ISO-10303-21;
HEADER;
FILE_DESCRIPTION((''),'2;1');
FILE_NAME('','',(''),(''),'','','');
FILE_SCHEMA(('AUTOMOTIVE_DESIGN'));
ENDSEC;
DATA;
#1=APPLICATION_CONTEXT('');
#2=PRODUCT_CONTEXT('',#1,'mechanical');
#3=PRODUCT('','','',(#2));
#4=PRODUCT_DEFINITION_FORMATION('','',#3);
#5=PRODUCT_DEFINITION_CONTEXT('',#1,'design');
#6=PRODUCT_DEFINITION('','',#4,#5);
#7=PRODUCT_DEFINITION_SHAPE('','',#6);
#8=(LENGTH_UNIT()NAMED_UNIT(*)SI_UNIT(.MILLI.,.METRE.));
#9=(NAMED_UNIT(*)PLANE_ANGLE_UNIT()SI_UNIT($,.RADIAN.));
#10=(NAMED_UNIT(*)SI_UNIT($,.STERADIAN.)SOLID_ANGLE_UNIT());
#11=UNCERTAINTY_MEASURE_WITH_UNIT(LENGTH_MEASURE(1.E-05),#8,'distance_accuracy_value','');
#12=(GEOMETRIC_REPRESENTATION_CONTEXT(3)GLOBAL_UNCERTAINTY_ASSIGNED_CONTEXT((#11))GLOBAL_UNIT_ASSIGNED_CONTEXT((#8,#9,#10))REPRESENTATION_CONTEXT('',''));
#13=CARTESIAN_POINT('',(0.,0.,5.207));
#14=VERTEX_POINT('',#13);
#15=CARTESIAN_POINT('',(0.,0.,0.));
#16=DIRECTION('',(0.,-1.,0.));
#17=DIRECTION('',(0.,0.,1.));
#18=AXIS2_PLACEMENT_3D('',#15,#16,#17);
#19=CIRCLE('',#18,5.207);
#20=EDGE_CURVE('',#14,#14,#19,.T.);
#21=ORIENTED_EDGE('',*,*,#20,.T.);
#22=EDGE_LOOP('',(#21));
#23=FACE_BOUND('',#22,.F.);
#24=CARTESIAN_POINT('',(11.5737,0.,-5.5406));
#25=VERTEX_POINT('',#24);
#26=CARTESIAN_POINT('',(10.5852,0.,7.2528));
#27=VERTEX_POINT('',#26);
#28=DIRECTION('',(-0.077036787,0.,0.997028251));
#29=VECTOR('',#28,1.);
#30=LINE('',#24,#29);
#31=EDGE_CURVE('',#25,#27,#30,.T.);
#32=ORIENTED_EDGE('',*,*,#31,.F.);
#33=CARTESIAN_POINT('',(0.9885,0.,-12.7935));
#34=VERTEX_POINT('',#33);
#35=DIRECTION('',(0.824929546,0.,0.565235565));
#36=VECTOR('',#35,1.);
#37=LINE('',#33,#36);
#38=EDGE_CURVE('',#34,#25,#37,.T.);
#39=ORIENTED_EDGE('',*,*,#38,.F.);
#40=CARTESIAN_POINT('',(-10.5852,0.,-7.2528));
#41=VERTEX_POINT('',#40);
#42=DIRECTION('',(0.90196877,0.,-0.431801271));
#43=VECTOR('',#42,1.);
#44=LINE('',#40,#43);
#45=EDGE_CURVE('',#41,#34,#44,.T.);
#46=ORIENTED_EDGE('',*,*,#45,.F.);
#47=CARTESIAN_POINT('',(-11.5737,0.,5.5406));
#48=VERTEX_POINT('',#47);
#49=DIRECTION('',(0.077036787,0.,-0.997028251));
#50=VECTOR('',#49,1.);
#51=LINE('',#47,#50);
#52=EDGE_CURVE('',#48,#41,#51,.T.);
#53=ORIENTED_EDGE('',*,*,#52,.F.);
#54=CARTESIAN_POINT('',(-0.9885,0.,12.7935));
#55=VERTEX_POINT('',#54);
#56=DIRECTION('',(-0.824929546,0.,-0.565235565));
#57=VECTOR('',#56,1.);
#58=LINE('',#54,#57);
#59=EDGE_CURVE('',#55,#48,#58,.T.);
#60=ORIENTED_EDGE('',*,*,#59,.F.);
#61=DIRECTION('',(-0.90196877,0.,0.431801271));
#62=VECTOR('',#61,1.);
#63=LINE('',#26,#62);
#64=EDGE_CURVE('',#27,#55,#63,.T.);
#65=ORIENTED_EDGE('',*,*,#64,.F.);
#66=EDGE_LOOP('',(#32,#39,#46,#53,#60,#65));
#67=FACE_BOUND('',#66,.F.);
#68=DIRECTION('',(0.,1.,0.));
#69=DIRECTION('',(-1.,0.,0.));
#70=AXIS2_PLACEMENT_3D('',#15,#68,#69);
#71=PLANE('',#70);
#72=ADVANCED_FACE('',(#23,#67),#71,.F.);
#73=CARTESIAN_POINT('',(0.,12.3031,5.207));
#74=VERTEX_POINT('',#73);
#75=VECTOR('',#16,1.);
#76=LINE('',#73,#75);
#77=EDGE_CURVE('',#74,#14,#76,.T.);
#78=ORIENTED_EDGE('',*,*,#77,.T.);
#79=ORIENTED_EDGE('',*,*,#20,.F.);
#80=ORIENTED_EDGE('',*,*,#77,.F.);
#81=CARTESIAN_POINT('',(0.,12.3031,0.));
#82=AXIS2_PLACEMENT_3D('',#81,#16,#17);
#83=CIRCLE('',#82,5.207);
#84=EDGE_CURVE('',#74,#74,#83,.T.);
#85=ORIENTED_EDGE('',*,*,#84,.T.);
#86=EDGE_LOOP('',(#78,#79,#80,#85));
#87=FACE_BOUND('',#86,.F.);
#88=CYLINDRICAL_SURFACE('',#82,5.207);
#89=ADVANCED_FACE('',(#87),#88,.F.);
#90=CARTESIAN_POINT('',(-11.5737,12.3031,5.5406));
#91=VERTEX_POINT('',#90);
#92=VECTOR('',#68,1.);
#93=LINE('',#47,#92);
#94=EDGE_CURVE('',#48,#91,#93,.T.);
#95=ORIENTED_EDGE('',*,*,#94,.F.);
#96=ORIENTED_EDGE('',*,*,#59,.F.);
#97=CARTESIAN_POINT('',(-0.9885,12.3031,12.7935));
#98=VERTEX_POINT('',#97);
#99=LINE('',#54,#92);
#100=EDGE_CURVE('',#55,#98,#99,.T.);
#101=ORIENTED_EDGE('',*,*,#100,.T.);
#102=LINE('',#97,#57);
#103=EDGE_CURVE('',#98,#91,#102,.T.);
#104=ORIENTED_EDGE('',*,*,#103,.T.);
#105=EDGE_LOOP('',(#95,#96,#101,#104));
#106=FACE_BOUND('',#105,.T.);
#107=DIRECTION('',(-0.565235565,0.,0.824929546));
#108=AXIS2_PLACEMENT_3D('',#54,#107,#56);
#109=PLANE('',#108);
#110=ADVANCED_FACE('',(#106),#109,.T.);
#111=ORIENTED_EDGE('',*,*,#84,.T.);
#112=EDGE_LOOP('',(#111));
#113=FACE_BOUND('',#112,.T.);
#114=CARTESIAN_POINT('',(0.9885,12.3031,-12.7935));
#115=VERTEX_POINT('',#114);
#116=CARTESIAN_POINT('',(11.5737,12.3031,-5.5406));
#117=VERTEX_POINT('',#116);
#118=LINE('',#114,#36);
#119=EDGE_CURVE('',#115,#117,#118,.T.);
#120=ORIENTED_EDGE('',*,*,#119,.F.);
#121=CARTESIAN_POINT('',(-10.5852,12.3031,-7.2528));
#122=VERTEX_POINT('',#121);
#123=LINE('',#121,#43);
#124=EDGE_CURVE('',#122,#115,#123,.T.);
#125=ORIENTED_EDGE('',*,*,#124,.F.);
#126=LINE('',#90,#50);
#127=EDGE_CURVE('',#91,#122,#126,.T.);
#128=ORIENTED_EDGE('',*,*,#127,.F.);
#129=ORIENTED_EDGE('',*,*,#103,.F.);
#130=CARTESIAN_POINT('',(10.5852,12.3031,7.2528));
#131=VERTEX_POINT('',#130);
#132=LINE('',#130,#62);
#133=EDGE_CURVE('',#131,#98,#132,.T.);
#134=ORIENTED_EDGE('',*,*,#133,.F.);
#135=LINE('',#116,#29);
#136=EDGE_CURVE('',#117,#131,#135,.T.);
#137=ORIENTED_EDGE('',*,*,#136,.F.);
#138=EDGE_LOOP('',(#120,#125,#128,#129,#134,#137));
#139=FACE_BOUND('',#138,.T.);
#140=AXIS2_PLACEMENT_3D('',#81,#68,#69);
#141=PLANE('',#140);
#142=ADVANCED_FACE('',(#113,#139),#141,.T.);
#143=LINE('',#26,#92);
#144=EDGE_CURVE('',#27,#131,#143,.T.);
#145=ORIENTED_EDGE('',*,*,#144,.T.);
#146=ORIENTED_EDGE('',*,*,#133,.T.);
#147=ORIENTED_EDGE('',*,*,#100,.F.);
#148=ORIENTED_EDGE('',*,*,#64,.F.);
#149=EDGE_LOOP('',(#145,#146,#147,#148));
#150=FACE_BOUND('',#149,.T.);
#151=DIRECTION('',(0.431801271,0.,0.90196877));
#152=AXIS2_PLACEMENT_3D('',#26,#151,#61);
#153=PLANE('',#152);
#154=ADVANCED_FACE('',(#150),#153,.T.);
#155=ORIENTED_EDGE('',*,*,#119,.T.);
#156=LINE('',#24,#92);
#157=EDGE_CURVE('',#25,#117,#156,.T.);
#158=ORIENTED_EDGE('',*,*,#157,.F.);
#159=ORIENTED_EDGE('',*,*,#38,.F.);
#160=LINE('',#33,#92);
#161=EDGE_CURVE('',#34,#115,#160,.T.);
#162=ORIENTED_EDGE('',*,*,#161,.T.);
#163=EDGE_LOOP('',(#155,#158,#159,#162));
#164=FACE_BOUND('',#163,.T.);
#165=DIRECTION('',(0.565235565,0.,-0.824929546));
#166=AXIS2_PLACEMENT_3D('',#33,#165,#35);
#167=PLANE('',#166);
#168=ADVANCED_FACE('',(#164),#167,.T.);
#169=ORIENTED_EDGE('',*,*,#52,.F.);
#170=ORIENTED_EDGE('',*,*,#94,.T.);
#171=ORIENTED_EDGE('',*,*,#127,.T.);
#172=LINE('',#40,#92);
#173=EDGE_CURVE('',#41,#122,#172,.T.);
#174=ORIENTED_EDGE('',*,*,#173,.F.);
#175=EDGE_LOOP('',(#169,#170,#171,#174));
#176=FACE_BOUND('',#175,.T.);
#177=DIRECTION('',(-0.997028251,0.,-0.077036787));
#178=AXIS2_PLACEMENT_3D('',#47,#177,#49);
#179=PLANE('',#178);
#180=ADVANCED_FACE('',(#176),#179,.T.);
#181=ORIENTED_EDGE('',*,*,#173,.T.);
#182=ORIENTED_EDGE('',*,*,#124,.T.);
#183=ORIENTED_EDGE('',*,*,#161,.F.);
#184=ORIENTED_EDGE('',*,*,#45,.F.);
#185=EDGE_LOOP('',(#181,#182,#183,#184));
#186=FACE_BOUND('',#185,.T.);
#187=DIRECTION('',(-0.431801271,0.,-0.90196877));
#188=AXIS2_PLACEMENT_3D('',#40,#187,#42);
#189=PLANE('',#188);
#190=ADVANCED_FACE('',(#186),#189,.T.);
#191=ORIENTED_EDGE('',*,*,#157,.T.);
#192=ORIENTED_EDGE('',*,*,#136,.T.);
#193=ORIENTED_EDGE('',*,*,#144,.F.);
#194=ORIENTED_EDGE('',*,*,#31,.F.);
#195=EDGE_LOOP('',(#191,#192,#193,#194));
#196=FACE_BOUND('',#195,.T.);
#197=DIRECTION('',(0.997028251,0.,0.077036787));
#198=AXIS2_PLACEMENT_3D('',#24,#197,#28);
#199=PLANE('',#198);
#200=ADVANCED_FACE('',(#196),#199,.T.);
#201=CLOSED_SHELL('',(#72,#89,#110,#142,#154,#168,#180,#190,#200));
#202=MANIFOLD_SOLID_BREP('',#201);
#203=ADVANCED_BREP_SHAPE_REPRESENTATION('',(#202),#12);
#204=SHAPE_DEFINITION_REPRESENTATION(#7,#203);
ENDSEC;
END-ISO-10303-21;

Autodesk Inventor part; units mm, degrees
ref_plane "YZ Plane" through (0, 0, 0) normal (1, 0, 0) x (0, 1, 0)
ref_plane "XZ Plane" through (0, 0, 0) normal (0, 1, 0) x (-1, 0, 0)
ref_plane "XY Plane" through (0, 0, 0) normal (0, 0, 1) x (1, 0, 0)
sketch "Sketch1" plane through (0, 0, 0) normal (0, 1, 0) x (-1, 0, 0)
  line L0 (10.5852, -7.2528) -> (-0.9885, -12.7935)
  line L1 (-0.9885, -12.7935) -> (-11.5737, -5.5406)
  line L2 (-11.5737, -5.5406) -> (-10.5852, 7.2528)
  line L3 (-10.5852, 7.2528) -> (0.9885, 12.7935)
  line L4 (0.9885, 12.7935) -> (11.5737, 5.5406)
  line L5 (11.5737, 5.5406) -> (10.5852, -7.2528)
  point P0 (0, 0)
  point P1 (0, 0)
  dimension "d0" = 22.225
extrude "Extrusion1" add sketch "Sketch1" along normal blind 12.3031
sketch "Sketch2" plane through (0, 12.3031, 0) normal (0, 1, 0) x (1, 0, 0)
  line L0 (-10.5852, 7.2528) -> (-11.5737, -5.5406) construction
  line L1 (11.5737, 5.5406) -> (0.9885, 12.7935) construction
  line L2 (-11.5737, -5.5406) -> (11.5737, 5.5406) construction
  line L3 (10.5852, -7.2528) -> (11.5737, 5.5406) construction
  line L4 (11.5737, 5.5406) -> (10.5852, -7.2528) construction
  line L5 (0.9885, 12.7935) -> (-10.5852, 7.2528) construction
  line L6 (10.5852, -7.2528) -> (-10.5852, 7.2528) construction
  point P0 (0, 0)
hole "Hole1" at (0, 12.3031, 0) direction (0, -1, 0) diameter 10.414 end through all thread size "1/2-12 UNS" class "2B" standard "ANSI Unified Screw Threads"
properties part number "Threaded Rod Nut" material "Aluminum 6061"
